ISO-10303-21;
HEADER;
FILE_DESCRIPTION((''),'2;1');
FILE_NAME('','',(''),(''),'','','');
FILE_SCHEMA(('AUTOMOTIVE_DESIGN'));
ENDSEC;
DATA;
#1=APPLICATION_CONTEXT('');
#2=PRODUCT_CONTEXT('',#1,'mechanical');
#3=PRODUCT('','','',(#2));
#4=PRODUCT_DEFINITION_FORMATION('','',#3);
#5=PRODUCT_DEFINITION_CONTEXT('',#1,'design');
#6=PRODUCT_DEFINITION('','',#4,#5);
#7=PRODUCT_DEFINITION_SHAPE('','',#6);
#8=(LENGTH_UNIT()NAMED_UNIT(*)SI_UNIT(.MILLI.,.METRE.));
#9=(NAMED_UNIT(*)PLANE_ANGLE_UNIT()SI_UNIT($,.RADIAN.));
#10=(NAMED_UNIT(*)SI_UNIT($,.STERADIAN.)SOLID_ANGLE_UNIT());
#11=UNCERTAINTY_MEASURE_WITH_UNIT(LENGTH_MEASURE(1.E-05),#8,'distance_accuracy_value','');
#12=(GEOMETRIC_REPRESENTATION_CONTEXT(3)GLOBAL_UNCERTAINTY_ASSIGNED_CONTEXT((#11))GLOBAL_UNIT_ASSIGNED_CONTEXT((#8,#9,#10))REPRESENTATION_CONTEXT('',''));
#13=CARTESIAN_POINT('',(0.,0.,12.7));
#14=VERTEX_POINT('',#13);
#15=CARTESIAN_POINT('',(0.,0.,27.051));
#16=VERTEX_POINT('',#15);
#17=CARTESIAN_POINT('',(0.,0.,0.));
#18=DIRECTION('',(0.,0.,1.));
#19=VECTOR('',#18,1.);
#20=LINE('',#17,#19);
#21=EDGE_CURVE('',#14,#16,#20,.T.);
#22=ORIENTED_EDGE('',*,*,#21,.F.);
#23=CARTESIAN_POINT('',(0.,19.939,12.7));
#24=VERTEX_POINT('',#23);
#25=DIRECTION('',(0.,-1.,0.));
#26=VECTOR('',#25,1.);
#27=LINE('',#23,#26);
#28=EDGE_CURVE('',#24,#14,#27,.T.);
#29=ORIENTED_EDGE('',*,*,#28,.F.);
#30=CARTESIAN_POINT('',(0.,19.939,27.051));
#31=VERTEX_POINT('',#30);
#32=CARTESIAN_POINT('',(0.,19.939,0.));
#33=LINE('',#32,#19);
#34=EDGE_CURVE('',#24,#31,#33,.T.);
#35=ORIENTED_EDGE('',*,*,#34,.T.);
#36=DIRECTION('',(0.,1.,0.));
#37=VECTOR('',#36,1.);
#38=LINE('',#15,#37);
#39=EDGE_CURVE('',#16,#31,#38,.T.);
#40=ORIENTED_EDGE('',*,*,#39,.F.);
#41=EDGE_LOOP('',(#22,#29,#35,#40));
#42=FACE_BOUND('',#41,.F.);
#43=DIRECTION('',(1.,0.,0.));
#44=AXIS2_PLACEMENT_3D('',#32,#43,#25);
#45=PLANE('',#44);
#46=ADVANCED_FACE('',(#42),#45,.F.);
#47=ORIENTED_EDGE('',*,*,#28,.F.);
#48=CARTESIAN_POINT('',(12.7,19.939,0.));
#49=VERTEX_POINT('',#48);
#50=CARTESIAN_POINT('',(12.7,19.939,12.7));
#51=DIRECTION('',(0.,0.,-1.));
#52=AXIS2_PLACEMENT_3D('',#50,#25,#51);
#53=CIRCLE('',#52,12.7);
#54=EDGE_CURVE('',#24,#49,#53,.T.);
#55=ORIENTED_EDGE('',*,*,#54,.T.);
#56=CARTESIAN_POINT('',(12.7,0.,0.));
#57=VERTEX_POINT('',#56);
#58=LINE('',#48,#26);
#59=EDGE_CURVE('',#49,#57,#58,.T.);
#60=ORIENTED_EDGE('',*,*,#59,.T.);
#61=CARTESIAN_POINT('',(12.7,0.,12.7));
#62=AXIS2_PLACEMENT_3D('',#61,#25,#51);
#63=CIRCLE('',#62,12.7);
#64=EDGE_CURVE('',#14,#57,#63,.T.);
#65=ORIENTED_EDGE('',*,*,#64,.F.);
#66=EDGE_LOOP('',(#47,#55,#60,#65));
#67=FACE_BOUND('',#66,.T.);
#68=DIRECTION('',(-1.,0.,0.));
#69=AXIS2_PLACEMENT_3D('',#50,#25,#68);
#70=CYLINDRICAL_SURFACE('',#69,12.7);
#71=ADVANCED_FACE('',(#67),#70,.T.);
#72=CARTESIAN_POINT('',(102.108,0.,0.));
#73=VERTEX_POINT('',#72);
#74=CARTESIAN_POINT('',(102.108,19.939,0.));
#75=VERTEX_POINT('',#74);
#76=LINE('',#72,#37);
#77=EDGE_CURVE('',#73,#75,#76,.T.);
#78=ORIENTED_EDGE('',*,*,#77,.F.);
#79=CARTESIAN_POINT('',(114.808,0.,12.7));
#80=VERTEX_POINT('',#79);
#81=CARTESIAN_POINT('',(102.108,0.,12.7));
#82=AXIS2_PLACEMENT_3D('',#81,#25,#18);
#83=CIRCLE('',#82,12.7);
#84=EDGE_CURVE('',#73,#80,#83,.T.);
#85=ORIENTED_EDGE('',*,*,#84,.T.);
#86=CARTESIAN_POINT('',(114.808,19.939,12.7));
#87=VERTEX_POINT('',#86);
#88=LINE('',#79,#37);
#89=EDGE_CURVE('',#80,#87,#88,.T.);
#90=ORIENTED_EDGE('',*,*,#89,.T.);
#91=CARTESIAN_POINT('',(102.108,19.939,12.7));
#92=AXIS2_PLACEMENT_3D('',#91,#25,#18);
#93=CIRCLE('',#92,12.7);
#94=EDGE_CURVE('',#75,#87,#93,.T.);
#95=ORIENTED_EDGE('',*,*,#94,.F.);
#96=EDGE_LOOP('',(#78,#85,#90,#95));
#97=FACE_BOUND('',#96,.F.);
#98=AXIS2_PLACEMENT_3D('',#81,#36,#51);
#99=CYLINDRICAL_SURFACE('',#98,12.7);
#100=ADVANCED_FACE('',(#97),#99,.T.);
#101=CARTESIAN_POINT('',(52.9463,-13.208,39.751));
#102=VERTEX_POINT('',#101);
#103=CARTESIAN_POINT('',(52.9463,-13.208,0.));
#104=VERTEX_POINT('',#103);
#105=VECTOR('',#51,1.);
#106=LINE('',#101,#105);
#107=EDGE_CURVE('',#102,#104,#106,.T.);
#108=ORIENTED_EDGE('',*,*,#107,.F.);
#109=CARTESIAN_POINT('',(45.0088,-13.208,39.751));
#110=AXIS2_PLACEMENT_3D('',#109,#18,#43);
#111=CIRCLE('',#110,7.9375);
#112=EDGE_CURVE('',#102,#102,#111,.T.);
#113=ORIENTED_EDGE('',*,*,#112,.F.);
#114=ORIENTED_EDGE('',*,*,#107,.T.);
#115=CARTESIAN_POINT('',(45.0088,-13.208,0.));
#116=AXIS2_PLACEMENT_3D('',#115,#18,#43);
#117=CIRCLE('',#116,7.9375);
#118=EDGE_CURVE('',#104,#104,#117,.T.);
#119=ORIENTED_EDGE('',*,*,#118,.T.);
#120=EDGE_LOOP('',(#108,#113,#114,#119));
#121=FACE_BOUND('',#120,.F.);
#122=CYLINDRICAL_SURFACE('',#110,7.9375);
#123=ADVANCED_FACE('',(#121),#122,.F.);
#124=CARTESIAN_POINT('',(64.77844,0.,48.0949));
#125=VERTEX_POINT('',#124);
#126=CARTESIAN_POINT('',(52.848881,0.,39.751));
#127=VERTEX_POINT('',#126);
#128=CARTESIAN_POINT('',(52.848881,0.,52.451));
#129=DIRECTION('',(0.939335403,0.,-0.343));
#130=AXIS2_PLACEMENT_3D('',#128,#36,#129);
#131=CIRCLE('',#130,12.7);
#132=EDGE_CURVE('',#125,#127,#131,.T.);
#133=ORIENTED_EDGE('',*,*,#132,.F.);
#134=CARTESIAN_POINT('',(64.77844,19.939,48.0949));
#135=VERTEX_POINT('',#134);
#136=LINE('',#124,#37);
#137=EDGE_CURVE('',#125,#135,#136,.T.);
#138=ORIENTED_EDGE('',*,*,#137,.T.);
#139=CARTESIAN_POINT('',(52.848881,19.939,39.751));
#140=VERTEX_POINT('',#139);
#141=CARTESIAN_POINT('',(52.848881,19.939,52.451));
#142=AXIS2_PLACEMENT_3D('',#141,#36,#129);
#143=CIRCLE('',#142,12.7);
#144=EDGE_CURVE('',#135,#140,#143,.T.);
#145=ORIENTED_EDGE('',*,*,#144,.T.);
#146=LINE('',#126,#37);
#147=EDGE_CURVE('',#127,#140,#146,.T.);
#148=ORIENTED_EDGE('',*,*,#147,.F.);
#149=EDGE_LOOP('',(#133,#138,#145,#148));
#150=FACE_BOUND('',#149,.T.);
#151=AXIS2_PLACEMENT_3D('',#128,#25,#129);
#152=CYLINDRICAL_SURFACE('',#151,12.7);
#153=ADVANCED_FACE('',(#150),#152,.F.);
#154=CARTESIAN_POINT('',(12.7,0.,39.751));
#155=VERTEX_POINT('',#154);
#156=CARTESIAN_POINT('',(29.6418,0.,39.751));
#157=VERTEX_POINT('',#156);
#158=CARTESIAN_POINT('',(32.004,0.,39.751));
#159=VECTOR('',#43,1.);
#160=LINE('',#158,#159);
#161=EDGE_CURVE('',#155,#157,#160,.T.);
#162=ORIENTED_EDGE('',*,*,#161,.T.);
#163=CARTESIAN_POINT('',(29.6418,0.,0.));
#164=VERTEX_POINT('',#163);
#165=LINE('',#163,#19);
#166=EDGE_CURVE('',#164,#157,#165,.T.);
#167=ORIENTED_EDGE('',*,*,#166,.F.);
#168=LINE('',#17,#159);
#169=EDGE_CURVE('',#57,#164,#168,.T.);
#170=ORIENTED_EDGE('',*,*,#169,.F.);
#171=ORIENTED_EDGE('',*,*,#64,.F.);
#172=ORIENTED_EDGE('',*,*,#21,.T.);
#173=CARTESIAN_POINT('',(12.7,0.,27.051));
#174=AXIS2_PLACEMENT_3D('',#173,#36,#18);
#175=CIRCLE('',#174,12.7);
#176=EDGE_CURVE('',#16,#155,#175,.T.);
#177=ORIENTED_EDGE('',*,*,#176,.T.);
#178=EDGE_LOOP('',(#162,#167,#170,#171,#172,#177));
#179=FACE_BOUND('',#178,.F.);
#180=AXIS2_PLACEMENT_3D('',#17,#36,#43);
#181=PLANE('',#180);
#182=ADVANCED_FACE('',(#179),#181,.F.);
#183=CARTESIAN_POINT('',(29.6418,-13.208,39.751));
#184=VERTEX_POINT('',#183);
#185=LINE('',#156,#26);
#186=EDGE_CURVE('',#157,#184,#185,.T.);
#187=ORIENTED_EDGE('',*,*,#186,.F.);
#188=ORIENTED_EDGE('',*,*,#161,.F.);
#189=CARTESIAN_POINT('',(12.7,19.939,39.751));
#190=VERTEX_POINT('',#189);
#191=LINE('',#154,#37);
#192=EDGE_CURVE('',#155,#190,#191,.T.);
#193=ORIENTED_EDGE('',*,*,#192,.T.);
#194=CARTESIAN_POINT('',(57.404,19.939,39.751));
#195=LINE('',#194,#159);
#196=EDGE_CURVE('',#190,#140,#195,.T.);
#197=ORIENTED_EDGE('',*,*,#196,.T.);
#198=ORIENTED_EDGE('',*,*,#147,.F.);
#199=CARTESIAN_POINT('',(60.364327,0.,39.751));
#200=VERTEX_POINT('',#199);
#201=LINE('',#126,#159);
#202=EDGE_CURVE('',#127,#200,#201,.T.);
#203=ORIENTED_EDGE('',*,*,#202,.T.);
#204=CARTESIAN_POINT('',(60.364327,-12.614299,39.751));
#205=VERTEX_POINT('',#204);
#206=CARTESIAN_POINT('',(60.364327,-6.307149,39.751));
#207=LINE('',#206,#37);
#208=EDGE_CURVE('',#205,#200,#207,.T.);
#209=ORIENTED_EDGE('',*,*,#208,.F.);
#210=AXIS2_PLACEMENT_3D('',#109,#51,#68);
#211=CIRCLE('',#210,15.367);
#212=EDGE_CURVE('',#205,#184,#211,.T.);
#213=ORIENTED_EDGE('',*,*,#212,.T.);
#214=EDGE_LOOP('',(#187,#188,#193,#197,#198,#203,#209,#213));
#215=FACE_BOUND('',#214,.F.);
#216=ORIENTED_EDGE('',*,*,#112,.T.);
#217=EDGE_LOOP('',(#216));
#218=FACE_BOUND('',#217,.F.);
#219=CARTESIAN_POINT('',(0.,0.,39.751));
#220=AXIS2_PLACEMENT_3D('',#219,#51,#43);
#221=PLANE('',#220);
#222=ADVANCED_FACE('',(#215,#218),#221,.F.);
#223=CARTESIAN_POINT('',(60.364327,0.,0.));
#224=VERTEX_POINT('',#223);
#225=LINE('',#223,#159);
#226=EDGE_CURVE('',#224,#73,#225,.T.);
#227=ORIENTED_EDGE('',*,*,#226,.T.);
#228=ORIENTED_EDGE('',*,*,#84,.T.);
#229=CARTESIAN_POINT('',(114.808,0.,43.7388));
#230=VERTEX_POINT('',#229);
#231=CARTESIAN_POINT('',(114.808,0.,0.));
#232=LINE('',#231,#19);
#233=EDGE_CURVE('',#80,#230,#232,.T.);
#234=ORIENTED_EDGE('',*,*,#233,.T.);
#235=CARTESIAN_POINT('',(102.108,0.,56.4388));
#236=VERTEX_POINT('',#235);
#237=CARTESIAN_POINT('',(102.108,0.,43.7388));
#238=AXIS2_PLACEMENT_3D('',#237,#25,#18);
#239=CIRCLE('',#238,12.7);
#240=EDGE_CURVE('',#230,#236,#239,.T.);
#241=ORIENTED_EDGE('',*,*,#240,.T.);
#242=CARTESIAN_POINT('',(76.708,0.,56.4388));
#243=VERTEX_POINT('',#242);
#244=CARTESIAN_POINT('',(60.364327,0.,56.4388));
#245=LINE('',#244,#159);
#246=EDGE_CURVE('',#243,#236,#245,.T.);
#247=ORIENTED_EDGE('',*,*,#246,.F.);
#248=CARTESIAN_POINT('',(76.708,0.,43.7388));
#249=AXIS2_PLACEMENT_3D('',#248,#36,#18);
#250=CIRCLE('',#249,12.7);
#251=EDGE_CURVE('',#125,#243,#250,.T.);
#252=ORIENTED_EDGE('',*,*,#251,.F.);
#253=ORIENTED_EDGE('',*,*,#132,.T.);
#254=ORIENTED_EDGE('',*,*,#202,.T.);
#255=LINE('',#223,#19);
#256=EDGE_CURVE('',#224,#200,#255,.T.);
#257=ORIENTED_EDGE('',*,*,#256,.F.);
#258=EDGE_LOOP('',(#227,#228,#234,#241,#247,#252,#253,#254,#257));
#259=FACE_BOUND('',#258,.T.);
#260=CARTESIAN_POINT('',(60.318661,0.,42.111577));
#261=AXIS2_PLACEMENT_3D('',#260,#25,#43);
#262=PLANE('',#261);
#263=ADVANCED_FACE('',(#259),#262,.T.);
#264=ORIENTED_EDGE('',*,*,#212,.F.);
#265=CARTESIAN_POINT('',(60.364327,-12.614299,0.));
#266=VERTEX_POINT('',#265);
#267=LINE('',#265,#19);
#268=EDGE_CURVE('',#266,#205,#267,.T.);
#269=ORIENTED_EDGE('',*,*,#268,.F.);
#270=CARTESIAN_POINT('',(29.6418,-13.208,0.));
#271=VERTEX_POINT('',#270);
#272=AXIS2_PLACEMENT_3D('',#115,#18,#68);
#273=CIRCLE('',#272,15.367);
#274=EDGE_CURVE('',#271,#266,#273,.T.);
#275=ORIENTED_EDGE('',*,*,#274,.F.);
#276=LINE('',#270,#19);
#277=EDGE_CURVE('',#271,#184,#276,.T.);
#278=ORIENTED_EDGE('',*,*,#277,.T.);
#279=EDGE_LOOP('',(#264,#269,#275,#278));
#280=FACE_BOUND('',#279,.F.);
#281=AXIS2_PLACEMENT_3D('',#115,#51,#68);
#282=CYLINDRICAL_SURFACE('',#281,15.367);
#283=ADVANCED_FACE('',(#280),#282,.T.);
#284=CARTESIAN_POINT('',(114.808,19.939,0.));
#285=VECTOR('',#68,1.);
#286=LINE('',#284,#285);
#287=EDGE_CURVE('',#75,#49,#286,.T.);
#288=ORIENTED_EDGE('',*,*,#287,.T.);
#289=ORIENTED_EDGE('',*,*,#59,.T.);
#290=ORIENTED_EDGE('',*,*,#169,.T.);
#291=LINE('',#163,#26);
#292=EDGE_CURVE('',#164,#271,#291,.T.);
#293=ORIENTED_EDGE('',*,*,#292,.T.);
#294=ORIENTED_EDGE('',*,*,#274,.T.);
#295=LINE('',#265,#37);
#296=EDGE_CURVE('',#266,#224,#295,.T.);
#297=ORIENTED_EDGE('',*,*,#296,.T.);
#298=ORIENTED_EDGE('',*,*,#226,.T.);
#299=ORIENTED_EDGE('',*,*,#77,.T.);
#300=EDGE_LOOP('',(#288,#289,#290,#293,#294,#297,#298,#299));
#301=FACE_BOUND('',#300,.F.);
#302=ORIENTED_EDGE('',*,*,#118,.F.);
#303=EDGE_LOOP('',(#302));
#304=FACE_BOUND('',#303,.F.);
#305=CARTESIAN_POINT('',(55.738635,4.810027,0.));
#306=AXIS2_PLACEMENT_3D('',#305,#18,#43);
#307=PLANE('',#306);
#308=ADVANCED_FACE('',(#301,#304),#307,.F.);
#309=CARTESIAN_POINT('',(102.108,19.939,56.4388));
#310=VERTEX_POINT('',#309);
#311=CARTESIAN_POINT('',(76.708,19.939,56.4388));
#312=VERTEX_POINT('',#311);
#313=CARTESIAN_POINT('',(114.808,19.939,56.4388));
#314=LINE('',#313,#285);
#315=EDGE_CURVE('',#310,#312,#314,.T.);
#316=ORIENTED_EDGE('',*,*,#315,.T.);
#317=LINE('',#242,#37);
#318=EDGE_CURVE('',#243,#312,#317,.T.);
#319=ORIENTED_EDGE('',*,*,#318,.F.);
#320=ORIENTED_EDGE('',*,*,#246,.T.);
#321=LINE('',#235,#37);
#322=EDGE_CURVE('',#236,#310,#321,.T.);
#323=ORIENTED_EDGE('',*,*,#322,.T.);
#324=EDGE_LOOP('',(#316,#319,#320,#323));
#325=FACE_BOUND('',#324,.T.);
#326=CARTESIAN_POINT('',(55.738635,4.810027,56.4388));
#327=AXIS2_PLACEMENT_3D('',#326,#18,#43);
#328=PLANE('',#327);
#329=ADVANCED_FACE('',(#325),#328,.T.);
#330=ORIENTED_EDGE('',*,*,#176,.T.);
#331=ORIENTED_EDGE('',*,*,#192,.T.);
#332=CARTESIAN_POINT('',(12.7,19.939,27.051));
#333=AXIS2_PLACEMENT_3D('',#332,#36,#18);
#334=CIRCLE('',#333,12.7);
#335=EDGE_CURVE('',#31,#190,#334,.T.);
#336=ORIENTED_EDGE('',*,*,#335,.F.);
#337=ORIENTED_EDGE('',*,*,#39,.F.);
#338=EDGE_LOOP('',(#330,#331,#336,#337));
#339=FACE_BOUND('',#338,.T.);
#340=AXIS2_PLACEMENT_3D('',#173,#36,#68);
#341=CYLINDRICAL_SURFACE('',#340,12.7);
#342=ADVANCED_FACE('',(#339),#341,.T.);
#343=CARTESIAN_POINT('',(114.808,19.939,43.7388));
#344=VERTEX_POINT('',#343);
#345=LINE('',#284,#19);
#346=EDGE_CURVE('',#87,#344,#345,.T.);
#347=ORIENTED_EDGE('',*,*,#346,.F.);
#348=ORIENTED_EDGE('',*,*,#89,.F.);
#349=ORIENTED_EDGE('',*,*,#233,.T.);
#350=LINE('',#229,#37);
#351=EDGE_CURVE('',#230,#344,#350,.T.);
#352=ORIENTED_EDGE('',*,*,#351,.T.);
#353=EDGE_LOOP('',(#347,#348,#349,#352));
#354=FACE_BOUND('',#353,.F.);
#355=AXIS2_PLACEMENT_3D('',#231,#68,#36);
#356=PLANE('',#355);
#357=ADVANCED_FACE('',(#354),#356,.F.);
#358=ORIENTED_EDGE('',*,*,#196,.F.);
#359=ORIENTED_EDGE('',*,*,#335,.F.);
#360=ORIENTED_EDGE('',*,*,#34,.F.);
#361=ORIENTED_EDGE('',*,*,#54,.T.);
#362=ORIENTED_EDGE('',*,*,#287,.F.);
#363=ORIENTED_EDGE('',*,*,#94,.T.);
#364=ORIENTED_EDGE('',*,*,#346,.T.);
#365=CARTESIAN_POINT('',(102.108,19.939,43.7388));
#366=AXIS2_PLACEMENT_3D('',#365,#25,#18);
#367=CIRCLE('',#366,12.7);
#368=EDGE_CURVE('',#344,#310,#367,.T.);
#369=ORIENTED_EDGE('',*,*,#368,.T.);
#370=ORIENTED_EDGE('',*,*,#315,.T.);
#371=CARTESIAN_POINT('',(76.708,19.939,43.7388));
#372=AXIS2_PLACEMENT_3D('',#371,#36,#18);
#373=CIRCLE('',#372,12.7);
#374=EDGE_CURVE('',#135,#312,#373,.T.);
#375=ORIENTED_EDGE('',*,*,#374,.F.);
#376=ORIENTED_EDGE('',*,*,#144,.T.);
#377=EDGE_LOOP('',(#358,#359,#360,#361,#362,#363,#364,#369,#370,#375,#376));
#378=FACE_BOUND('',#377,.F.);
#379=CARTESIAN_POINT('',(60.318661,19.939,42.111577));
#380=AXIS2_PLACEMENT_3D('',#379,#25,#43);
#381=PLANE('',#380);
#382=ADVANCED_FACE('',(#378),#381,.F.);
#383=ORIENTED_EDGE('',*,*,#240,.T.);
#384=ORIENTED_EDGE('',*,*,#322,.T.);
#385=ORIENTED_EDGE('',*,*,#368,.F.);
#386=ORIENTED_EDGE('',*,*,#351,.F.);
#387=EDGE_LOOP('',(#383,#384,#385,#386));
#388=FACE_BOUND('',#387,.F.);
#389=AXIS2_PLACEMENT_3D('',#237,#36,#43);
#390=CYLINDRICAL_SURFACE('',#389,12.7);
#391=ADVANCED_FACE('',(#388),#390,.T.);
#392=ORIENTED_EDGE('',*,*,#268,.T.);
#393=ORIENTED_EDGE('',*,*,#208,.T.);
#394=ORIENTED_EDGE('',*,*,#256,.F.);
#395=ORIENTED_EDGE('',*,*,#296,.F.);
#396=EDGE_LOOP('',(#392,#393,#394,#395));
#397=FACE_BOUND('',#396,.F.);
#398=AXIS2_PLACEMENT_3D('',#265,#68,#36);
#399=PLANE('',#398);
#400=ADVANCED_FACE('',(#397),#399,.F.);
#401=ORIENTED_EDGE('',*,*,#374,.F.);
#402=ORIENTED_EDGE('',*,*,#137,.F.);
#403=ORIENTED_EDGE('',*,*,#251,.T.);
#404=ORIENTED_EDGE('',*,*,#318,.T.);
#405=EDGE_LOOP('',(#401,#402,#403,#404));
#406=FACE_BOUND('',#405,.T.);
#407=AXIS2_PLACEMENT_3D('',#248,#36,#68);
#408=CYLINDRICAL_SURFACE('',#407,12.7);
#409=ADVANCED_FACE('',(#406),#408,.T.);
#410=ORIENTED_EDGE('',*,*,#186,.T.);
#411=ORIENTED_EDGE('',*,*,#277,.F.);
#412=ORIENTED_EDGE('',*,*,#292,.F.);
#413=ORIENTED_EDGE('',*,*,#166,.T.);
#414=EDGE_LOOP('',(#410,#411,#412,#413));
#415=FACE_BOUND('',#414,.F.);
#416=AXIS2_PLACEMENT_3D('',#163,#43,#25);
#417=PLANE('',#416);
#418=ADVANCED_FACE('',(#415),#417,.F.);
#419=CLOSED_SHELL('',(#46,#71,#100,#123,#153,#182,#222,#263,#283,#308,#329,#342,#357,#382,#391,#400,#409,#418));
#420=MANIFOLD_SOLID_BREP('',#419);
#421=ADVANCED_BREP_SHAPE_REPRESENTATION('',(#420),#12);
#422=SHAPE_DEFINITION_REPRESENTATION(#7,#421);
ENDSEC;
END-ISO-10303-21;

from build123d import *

# Parameters (mm, degrees)
F1_DEPTH      = 56.4388
F2_W          = 64.008
F2_H          = 16.6878
F3_DEPTH      = 25.4
F3_DEPTH_BACK = 58.166
F4_R          = 12.7
F6_DEPTH      = 19.939
F7_R          = 7.9375
F8_DEPTH      = 39.751


with BuildPart() as f1:
    # F0 (on Top) → F1 (new body)
    with BuildSketch(Plane.XY):
        with BuildLine():
            Line((0, 19.939), (0, 0))
            Line((0, 0), (29.6418, 0))
            Line((29.6418, 0), (29.6418, -13.208))
            ThreePointArc((29.6418, -13.208), (45.3057061406, -28.5721314673), (60.36432694, -12.6142985648))
            Line((60.36432694, -12.6142985648), (60.36432694, 0))
            Line((60.36432694, 0), (114.808, 0))
            Line((114.808, 0), (114.808, 19.939))
            Line((114.808, 19.939), (0, 19.939))
        make_face()
    extrude(amount=F1_DEPTH)

    # F2 (on Front) → F3 (cut, two sides)
    with BuildSketch(Plane.XZ) as f3_sk:
        with Locations((32.004, 48.0949)):
            Rectangle(F2_W, F2_H)
    extrude(amount=-F3_DEPTH, mode=Mode.SUBTRACT)
    extrude(f3_sk.sketch, amount=F3_DEPTH_BACK, mode=Mode.SUBTRACT)

    # F4
    f4_edges = [f1.edges().sort_by_distance(p)[0] for p in [
        (114.808, 9.9695, 56.4388),
        (114.808, 9.9695, 0),
        (64.008, 9.9695, 56.4388),
        (0, 9.9695, 39.751),
        (0, 9.9695, 0),
    ]]
    fillet(f4_edges, radius=F4_R)

    # F5 (on Front) → F6 (join, through all)
    with BuildSketch(Plane.XZ):
        with BuildLine():
            Line((60.36432694, 39.751), (60.3758, 39.751))
            Line((60.3758, 39.751), (64.008, 39.751))
            Line((64.008, 39.751), (64.008, 43.7388))
            ThreePointArc((64.008, 43.7388), (64.2020932514, 45.9506536109), (64.7784403774, 48.0949))
            ThreePointArc((64.7784403774, 48.0949), (60.1278755342, 42.0439718459), (52.8488807547, 39.751))
            Line((52.8488807547, 39.751), (60.36432694, 39.751))
        make_face()
    extrude(amount=-F6_DEPTH)

    # F7 (on face) → F8 (cut, through all)
    with BuildSketch(Plane.XY.offset(39.751)):
        with Locations((45.0088, -13.208)):
            Circle(F7_R)
    extrude(amount=-F8_DEPTH, mode=Mode.SUBTRACT)


solid = f1.part
